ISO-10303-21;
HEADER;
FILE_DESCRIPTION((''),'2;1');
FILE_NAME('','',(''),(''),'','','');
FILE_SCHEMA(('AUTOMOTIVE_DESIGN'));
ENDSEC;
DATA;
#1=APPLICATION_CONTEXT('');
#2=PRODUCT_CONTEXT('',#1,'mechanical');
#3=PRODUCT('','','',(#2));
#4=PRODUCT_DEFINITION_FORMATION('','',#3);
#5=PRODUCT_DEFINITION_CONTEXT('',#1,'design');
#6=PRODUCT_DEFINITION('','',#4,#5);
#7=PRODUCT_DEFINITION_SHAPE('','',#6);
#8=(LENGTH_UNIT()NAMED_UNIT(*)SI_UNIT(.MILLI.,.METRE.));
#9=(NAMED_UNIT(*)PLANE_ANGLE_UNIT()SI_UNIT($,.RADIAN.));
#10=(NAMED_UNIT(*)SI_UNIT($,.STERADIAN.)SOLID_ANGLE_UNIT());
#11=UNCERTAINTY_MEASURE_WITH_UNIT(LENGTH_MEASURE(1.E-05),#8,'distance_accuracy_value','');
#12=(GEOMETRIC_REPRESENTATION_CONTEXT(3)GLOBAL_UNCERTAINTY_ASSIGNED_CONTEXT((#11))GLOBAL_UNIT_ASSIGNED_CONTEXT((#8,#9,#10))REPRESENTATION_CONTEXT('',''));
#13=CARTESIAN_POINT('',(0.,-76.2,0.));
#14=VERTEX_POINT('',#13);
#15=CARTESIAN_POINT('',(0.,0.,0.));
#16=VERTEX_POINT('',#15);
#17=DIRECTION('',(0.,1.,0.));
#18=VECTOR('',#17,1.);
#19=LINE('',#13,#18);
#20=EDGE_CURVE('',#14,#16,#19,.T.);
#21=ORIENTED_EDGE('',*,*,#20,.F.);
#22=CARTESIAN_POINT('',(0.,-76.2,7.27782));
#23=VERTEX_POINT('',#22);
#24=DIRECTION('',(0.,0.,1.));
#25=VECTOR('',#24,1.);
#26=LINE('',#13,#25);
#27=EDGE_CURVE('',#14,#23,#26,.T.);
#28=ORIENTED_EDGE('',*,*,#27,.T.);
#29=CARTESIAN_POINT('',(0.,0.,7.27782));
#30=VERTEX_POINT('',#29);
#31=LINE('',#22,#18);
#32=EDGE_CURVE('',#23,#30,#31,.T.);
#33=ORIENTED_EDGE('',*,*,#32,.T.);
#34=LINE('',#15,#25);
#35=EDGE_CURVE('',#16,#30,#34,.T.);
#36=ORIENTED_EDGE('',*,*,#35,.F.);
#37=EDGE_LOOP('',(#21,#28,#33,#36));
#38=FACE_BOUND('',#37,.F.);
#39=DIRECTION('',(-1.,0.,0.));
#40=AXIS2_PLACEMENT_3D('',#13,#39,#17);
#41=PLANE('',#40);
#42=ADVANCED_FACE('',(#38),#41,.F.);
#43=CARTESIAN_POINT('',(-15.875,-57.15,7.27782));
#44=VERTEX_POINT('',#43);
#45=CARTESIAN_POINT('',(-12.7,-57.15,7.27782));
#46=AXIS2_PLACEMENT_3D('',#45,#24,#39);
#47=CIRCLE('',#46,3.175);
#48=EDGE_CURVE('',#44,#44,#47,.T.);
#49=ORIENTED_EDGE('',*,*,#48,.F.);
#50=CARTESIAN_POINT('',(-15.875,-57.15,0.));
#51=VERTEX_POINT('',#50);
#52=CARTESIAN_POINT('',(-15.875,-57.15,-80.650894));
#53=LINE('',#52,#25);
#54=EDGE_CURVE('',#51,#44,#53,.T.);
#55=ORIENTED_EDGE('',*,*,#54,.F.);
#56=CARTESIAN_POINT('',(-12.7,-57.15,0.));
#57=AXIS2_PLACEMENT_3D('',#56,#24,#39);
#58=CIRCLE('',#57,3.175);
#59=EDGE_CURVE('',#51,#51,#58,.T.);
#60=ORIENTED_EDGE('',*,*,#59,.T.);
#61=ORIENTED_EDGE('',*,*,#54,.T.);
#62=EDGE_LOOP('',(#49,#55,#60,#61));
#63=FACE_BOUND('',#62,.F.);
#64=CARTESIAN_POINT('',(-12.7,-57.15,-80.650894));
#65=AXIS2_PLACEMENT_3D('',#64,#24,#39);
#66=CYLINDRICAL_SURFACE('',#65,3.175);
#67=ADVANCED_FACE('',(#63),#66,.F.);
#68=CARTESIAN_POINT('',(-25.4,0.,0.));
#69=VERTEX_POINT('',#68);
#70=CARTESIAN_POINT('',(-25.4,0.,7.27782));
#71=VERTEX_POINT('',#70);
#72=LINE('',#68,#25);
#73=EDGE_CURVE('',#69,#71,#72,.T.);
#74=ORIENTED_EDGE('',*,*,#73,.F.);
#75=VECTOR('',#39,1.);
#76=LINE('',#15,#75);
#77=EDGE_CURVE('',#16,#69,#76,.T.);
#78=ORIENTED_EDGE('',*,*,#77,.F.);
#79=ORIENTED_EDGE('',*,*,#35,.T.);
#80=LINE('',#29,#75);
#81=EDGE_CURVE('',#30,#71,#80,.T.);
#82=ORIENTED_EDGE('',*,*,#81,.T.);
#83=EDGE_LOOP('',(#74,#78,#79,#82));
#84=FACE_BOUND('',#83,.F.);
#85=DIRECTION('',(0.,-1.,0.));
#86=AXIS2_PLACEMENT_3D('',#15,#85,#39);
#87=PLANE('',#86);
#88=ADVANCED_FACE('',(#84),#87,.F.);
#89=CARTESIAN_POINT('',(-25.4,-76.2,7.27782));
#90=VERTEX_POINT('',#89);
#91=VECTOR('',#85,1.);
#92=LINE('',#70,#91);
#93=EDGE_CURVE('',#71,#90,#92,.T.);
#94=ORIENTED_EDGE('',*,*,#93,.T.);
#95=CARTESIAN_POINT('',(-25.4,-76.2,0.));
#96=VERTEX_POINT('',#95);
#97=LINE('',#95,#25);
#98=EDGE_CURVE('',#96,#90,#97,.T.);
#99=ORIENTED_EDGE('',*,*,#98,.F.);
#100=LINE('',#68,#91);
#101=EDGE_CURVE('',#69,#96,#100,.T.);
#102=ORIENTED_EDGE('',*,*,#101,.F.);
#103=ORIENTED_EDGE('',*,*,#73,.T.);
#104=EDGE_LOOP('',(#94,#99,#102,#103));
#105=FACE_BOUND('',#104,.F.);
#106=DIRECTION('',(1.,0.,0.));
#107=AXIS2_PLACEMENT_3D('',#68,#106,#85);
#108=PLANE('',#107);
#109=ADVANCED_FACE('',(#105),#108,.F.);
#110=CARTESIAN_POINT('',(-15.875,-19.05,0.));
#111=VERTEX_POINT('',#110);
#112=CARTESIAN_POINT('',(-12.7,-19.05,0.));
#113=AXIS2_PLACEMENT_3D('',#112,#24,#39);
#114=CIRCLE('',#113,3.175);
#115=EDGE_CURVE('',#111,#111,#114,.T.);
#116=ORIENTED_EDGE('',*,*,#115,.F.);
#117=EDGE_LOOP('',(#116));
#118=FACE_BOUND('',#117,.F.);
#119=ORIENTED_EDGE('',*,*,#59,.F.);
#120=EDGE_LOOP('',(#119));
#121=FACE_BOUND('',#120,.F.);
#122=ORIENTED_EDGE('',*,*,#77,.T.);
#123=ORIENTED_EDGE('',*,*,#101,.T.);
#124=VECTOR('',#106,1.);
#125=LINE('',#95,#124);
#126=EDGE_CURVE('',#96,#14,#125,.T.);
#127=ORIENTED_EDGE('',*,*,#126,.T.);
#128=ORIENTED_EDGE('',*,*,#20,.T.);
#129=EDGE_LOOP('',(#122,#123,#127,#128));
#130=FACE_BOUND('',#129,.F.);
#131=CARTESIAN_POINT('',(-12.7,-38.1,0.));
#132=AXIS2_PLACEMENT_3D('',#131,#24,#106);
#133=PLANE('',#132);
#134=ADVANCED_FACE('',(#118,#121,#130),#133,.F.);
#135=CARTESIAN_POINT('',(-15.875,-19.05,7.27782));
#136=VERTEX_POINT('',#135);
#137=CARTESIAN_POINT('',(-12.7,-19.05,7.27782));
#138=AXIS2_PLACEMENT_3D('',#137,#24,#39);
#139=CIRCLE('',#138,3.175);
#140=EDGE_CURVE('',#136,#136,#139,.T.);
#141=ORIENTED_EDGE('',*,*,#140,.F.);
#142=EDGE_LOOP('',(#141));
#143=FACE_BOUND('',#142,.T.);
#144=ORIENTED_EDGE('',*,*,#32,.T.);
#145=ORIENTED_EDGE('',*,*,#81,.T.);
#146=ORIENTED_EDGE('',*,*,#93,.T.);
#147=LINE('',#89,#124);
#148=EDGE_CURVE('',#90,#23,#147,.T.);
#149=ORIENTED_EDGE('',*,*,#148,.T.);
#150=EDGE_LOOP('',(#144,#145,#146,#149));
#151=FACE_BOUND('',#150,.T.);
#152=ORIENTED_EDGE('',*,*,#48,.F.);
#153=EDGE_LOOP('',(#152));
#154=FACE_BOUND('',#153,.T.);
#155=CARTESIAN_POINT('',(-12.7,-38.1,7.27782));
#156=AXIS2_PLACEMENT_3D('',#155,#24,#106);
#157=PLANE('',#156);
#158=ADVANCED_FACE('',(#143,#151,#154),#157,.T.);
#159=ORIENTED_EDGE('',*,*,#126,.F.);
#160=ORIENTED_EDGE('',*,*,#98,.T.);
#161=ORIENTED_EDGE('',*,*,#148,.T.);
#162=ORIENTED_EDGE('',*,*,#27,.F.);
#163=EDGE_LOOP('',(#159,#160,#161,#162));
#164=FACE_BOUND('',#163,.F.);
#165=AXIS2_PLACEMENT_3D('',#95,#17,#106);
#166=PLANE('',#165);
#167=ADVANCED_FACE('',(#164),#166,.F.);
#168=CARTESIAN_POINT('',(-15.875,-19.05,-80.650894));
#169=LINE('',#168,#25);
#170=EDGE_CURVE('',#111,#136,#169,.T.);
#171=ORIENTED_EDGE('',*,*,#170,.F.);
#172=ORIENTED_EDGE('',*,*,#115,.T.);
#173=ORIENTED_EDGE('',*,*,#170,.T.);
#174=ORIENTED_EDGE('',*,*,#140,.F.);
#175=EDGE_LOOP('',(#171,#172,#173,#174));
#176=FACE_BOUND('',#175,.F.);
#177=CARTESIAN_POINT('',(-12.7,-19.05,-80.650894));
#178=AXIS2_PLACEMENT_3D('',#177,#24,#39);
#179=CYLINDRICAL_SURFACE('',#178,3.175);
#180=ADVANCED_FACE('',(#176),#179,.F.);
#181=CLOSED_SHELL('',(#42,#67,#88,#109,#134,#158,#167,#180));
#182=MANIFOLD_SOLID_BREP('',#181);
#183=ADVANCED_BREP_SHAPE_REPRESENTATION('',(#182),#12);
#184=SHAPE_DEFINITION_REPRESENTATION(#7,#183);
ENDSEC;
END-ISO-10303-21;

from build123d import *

# Parameters (mm, degrees)
F1_DEPTH = 7.27782
F3_D     = 6.35
F5_D     = 6.35


with BuildPart() as f1:
    # F0 (on Top) → F1 (new body)
    with BuildSketch(Plane.XY):
        Polygon((0, -76.2), (0, 0), (-12.7, 0), (-25.4, 0), (-25.4, -76.2), (-12.7, -76.2), align=None)
    extrude(amount=F1_DEPTH)

    # F3 (through all)
    with Locations(Plane(origin=(0, 0, 0), x_dir=(1, 0, 0), z_dir=(0, 0, -1))):
        with Locations((-12.7, 57.15)):
            Hole(F3_D / 2)

    # F5 (through all)
    with Locations(Plane(origin=(0, 0, 0), x_dir=(1, 0, 0), z_dir=(0, 0, -1))):
        with Locations((-12.7, 19.05)):
            Hole(F5_D / 2)


solid = f1.part
